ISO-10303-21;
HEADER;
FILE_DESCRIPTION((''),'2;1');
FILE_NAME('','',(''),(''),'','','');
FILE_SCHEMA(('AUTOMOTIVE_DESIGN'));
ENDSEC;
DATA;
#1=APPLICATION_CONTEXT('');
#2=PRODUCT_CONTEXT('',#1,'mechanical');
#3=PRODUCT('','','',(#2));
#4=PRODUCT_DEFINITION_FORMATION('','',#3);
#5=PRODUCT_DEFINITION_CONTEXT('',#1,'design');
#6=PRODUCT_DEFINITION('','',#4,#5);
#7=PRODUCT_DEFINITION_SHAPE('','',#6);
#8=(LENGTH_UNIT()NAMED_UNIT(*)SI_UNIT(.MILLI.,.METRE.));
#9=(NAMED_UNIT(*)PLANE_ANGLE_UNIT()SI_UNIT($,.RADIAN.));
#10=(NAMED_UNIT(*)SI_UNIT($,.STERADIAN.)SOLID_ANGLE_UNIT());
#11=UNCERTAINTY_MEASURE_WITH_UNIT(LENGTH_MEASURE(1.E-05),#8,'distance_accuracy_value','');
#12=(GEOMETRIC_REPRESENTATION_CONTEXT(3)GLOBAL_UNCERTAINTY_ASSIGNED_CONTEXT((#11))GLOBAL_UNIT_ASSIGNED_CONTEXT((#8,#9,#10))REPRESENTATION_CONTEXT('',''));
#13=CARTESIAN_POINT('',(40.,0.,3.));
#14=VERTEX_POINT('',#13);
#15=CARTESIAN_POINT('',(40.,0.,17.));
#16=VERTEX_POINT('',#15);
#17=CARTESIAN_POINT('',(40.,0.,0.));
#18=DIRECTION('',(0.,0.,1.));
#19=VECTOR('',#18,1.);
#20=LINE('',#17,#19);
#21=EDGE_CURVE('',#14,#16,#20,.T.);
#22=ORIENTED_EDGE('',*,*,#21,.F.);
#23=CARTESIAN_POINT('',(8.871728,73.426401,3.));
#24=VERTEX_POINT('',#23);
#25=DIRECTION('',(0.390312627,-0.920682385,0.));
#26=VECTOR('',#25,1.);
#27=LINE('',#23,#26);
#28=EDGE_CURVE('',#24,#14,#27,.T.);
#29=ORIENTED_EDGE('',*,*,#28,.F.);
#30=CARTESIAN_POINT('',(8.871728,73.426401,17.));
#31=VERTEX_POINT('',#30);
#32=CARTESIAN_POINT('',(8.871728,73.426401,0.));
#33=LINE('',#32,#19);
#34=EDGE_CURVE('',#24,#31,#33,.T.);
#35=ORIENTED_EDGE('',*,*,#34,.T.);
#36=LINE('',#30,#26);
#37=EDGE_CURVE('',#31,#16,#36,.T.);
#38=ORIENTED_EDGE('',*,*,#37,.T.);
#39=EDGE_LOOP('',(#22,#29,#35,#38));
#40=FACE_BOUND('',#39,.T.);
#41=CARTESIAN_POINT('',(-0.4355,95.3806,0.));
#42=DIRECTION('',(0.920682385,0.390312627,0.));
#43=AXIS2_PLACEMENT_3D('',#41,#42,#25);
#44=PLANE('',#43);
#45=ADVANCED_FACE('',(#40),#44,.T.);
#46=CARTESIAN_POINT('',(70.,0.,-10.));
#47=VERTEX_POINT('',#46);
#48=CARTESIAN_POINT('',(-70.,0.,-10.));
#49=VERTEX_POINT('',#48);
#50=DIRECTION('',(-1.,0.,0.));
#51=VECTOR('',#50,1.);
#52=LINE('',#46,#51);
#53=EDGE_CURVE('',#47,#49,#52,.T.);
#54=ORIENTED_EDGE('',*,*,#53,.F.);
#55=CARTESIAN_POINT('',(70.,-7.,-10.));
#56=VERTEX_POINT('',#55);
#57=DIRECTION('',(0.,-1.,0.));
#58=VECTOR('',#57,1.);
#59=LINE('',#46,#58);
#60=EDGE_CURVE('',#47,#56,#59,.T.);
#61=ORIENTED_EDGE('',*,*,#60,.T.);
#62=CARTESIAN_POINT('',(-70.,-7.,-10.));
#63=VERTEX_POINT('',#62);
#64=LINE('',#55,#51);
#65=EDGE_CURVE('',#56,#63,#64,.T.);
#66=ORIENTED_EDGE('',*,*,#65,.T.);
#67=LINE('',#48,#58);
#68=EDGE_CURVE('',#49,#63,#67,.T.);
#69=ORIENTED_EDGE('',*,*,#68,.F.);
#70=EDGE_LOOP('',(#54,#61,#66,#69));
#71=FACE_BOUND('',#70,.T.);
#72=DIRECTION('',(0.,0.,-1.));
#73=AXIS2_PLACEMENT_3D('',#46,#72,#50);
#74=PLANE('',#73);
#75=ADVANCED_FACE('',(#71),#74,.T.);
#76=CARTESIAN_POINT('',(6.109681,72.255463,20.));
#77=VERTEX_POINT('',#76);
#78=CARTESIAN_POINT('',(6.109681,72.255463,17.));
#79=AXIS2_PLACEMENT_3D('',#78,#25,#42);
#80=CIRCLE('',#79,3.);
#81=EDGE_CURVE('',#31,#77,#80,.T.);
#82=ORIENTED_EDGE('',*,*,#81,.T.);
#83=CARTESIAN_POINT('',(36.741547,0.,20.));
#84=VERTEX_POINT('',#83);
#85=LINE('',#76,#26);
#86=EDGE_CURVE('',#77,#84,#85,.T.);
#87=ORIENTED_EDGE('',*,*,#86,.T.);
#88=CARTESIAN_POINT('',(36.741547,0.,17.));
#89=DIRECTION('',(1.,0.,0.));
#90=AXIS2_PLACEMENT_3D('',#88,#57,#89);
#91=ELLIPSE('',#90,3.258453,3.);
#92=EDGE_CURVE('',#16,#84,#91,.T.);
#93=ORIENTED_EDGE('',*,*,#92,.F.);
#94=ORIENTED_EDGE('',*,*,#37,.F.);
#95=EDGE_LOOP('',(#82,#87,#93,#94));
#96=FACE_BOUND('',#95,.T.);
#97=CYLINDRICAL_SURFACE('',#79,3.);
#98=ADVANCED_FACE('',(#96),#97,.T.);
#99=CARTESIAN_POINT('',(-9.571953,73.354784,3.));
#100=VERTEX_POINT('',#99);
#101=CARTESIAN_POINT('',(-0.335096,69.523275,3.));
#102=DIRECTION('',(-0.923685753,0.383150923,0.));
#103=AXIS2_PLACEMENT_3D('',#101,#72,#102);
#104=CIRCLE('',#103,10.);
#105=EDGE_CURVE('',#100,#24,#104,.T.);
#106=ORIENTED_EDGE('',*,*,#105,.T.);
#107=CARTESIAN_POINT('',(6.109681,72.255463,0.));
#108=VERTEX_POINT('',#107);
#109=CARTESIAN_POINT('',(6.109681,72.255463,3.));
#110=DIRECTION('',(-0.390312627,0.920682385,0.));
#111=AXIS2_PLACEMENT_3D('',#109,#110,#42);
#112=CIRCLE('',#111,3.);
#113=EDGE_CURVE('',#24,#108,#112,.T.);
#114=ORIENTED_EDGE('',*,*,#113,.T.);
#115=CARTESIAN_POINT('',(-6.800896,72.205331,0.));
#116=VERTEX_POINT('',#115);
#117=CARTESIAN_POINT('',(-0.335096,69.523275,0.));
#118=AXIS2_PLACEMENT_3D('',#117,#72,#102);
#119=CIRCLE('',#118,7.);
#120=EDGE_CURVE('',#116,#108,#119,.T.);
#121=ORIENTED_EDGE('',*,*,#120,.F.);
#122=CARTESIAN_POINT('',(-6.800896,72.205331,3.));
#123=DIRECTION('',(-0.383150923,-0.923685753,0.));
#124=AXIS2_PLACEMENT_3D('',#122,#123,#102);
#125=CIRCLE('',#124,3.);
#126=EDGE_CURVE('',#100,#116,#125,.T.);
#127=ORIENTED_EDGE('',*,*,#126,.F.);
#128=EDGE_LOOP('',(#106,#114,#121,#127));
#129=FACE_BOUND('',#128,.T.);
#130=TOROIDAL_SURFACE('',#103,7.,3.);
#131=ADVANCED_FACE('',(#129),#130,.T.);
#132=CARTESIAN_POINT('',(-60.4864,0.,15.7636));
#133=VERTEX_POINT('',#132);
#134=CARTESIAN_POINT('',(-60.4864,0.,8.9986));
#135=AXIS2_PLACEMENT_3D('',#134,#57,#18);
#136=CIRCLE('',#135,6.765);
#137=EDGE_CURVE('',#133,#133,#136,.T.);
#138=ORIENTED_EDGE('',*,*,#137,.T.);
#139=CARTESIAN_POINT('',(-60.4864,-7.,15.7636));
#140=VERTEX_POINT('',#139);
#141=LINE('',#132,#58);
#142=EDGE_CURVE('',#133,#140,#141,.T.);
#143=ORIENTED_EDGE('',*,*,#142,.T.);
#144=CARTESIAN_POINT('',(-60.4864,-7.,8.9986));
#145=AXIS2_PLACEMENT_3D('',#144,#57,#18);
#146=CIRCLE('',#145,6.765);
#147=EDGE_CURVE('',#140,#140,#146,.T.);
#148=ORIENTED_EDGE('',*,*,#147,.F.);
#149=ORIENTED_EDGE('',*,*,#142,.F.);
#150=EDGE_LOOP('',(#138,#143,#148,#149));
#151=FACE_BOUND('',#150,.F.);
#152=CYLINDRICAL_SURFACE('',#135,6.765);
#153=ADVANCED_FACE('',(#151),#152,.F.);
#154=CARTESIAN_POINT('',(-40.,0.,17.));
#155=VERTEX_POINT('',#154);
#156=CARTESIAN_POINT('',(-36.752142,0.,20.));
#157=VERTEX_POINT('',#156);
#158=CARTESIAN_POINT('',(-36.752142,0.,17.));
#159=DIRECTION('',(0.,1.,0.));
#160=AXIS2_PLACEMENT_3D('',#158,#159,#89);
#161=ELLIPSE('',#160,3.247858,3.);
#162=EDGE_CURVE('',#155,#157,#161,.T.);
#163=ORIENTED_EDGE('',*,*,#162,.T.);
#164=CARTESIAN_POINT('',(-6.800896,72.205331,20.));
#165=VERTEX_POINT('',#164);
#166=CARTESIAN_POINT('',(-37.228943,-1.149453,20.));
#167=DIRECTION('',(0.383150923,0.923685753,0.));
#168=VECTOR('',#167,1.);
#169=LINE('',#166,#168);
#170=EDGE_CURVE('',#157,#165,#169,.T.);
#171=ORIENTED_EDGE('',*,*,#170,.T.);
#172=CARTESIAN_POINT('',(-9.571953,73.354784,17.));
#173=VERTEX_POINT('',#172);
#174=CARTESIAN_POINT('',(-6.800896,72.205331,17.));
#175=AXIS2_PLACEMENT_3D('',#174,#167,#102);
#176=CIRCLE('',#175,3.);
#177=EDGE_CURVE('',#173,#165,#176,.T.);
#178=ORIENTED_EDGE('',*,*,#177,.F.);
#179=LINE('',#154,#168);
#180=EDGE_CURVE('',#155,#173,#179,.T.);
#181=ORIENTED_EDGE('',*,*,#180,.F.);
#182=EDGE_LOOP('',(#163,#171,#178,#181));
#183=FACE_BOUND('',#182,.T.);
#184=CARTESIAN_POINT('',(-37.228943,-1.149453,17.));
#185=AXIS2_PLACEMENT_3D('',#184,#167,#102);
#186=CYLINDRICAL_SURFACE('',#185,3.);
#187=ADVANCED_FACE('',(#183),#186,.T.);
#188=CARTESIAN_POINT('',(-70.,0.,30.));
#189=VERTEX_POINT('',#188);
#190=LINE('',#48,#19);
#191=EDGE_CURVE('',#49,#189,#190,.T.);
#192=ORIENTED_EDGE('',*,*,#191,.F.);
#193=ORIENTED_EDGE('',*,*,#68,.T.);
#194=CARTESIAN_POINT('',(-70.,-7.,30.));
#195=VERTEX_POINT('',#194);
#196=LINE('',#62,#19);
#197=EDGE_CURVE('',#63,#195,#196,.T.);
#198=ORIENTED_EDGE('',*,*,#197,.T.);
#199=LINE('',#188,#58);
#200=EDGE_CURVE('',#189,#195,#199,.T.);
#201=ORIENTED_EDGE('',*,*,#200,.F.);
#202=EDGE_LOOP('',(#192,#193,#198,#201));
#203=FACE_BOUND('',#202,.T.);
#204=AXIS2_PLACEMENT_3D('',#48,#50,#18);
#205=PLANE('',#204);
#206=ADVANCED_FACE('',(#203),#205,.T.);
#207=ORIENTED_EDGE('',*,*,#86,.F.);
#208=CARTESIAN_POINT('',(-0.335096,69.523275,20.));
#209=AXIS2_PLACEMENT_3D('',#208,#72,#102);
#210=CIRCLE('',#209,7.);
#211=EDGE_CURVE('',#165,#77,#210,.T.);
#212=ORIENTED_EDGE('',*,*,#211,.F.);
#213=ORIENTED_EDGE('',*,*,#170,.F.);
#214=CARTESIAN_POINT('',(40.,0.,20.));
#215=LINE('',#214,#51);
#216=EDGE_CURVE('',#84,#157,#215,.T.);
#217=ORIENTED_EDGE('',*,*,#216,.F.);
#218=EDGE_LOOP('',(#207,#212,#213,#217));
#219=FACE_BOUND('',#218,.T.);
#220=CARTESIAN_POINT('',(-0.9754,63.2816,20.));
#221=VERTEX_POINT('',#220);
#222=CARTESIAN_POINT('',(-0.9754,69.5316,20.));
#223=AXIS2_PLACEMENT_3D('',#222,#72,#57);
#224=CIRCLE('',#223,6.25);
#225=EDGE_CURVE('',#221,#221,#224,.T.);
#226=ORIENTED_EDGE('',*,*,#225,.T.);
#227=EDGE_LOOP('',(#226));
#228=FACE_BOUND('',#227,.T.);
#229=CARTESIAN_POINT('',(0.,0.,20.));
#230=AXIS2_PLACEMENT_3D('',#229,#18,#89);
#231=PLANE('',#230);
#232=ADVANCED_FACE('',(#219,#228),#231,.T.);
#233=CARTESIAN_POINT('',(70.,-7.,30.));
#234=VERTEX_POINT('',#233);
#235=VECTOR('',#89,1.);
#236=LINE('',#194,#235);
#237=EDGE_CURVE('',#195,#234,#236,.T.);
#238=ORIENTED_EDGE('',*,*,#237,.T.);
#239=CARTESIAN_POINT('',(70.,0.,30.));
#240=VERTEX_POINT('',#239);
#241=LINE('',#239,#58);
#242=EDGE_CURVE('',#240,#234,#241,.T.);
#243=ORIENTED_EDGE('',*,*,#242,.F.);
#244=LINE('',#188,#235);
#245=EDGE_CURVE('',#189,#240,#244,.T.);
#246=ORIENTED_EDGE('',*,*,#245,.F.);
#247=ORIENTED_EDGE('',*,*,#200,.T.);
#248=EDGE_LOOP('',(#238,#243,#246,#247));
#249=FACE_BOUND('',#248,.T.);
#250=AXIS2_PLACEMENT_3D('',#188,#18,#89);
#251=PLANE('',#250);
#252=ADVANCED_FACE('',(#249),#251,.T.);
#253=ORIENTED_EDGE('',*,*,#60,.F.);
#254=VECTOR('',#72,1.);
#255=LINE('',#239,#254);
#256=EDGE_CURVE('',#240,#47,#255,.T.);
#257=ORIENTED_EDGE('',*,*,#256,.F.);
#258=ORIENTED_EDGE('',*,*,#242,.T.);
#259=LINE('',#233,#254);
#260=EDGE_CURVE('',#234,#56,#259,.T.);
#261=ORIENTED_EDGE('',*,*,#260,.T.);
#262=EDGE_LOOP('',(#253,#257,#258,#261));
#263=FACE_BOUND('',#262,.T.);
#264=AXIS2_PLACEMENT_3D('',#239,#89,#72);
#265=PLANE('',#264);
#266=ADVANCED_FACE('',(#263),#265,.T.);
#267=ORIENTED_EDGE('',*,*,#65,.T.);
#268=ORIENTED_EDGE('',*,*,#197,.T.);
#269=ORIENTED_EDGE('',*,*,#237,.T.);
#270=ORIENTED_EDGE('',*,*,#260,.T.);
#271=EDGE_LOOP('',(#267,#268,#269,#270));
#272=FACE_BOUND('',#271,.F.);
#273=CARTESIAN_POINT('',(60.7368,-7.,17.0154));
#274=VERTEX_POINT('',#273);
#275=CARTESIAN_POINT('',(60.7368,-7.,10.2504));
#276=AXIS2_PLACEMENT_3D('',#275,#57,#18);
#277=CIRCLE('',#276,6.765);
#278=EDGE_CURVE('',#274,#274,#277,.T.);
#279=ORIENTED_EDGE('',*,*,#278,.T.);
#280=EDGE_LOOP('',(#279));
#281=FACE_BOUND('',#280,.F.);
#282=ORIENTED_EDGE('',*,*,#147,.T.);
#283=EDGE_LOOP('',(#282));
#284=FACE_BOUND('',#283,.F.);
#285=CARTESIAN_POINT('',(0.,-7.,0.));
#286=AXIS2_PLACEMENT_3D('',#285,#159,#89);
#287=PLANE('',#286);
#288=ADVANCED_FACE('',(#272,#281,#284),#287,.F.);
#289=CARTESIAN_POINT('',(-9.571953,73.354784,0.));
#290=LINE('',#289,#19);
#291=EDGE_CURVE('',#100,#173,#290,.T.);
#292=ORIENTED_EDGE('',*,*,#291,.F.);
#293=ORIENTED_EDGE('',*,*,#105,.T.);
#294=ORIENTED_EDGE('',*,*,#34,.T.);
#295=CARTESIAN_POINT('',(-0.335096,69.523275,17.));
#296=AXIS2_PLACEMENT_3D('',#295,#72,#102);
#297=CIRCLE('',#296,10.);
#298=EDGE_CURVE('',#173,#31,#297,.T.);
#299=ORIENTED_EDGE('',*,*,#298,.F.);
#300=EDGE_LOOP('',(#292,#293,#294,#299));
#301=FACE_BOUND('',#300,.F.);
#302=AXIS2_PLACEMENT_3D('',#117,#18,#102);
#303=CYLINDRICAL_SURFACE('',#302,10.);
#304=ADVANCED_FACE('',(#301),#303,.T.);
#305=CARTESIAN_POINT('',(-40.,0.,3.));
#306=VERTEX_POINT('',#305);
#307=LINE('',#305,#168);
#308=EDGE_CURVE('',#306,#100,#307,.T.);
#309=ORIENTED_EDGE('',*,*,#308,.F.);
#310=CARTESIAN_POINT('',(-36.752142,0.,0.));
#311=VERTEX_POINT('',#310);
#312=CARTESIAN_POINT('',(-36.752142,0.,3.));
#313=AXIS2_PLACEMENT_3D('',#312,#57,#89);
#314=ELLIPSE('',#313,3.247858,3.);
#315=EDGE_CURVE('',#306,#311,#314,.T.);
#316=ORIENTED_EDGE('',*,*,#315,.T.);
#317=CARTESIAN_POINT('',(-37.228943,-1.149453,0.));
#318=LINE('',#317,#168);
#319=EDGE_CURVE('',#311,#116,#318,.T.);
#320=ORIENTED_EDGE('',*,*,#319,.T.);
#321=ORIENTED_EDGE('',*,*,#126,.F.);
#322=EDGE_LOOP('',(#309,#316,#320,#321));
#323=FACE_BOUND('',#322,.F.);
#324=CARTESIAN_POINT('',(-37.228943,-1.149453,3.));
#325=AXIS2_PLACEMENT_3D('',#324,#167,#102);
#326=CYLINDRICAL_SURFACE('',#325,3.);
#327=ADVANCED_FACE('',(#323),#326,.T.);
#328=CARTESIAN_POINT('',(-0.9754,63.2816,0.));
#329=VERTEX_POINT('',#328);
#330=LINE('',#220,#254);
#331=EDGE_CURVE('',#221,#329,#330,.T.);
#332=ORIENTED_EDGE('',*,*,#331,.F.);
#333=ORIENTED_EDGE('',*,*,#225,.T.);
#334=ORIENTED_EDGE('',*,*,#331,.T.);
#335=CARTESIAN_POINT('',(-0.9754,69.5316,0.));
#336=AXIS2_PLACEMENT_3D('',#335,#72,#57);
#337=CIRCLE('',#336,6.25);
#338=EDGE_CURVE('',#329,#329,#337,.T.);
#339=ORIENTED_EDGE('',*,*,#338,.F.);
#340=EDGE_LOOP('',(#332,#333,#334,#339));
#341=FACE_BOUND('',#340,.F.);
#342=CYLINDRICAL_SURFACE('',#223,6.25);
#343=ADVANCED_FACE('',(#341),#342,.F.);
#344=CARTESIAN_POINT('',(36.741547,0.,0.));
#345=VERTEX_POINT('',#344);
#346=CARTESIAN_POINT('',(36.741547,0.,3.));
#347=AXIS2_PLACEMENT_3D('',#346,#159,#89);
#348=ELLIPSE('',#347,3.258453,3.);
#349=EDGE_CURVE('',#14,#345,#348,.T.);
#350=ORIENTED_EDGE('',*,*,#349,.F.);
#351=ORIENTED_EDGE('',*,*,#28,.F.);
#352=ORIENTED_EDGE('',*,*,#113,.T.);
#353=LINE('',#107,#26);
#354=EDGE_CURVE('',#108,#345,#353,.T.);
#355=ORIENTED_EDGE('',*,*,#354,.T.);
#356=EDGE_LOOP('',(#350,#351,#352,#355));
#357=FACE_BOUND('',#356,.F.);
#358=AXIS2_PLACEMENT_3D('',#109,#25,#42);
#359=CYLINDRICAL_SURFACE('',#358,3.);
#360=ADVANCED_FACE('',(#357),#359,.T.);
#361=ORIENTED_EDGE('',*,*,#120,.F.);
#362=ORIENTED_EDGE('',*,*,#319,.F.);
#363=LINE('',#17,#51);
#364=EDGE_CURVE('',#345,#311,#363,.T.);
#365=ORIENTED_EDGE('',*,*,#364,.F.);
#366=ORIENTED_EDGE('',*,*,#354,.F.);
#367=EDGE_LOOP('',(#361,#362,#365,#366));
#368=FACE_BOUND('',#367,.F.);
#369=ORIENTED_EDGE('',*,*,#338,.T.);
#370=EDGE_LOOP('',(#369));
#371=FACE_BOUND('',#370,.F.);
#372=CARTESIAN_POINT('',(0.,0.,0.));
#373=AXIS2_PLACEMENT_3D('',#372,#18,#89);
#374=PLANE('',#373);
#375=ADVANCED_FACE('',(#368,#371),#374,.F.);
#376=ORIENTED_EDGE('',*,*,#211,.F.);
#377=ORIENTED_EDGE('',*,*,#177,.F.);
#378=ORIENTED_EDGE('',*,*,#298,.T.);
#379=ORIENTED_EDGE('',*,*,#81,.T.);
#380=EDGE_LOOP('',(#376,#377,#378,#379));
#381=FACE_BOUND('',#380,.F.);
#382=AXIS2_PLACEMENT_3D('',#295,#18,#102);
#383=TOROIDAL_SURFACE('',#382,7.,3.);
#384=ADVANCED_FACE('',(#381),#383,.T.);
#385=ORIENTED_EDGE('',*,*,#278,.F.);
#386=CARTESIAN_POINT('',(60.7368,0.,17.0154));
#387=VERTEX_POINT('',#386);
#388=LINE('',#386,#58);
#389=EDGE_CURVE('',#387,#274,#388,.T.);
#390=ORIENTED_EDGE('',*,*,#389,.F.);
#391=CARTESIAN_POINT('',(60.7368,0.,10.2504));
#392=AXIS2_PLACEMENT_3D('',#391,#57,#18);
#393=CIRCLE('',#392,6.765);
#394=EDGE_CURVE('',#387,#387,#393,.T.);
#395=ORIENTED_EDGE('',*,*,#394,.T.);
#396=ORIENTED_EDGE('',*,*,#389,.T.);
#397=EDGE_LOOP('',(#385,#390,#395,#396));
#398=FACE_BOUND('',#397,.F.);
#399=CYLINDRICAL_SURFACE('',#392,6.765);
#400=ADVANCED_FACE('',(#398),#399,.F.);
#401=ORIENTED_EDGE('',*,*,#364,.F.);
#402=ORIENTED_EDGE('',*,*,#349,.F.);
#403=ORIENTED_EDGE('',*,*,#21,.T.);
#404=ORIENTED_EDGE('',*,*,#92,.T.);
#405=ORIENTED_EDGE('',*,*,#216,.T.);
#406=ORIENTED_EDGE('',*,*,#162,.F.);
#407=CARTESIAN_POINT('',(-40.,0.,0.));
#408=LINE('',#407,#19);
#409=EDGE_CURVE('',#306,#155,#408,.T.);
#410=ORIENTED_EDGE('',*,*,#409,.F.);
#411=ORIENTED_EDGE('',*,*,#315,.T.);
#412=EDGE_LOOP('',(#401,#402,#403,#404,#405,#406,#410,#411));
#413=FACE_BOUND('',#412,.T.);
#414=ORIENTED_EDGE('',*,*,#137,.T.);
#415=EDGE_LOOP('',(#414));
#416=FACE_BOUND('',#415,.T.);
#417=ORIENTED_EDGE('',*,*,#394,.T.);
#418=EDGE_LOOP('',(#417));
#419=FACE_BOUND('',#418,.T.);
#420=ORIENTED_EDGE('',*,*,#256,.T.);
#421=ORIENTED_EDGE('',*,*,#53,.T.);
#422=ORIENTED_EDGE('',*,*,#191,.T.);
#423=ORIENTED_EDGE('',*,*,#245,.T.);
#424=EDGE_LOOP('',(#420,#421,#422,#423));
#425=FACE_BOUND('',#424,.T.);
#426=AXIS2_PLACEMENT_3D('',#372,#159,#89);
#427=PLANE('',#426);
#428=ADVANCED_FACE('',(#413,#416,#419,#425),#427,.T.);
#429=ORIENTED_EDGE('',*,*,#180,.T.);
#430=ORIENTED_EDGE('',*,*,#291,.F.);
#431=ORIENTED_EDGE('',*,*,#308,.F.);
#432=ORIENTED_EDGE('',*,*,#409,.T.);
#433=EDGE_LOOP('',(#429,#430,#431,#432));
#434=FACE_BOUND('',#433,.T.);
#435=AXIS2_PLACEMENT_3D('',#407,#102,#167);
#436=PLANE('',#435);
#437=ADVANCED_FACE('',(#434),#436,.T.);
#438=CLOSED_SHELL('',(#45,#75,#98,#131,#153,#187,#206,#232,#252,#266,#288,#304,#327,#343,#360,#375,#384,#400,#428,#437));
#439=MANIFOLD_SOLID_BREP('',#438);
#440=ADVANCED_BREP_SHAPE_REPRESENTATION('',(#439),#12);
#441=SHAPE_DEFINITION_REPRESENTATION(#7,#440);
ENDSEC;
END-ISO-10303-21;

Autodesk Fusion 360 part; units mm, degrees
sketch "Sketch1" plane through (0, 0, 0) normal (0, 0, 1) x (1, 0, 0)
  line L0 (-40, 0) -> (-0.4355, 95.3806)
  line L1 (-0.4355, 95.3806) -> (40, 0)
  line L2 (40, 0) -> (-40, 0)
extrude "Extrude1" add sketch "Sketch1" along normal blind 20
hole "Hole1" at (-0.9754, 69.5316, 20) direction (0, 0, -1) diameter 12.5 depth 40 tip angle 118
fillet "Fillet1" radius 10 1 edges at (-0.4355, 95.3806, 10)
sketch "Sketch2" plane through (0, 0, 0) normal (0, 1, 0) x (1, 0, 0)
  line L0 (-70, -30) -> (70, -30)
  line L1 (70, -30) -> (70, 10)
  line L2 (70, 10) -> (-70, 10)
  line L3 (-70, 10) -> (-70, -30)
extrude "Extrude2" add sketch "Sketch2" against normal blind 7
hole "Hole2" at (60.7368, 0, 10.2504) direction (0, -1, 0) diameter 13.53 depth 20 tip angle 118
hole "Hole3" at (-60.4864, 0, 8.9986) direction (0, -1, 0) diameter 13.53 depth 20 tip angle 118
fillet "Fillet2" radius 3 6 edges at (-24.786, 36.6774, 20) (-0.3739, 79.5232, 20) (24.4359, 36.7132, 20) (-24.786, 36.6774, 0) (-0.3739, 79.5232, 0) (24.4359, 36.7132, 0)
